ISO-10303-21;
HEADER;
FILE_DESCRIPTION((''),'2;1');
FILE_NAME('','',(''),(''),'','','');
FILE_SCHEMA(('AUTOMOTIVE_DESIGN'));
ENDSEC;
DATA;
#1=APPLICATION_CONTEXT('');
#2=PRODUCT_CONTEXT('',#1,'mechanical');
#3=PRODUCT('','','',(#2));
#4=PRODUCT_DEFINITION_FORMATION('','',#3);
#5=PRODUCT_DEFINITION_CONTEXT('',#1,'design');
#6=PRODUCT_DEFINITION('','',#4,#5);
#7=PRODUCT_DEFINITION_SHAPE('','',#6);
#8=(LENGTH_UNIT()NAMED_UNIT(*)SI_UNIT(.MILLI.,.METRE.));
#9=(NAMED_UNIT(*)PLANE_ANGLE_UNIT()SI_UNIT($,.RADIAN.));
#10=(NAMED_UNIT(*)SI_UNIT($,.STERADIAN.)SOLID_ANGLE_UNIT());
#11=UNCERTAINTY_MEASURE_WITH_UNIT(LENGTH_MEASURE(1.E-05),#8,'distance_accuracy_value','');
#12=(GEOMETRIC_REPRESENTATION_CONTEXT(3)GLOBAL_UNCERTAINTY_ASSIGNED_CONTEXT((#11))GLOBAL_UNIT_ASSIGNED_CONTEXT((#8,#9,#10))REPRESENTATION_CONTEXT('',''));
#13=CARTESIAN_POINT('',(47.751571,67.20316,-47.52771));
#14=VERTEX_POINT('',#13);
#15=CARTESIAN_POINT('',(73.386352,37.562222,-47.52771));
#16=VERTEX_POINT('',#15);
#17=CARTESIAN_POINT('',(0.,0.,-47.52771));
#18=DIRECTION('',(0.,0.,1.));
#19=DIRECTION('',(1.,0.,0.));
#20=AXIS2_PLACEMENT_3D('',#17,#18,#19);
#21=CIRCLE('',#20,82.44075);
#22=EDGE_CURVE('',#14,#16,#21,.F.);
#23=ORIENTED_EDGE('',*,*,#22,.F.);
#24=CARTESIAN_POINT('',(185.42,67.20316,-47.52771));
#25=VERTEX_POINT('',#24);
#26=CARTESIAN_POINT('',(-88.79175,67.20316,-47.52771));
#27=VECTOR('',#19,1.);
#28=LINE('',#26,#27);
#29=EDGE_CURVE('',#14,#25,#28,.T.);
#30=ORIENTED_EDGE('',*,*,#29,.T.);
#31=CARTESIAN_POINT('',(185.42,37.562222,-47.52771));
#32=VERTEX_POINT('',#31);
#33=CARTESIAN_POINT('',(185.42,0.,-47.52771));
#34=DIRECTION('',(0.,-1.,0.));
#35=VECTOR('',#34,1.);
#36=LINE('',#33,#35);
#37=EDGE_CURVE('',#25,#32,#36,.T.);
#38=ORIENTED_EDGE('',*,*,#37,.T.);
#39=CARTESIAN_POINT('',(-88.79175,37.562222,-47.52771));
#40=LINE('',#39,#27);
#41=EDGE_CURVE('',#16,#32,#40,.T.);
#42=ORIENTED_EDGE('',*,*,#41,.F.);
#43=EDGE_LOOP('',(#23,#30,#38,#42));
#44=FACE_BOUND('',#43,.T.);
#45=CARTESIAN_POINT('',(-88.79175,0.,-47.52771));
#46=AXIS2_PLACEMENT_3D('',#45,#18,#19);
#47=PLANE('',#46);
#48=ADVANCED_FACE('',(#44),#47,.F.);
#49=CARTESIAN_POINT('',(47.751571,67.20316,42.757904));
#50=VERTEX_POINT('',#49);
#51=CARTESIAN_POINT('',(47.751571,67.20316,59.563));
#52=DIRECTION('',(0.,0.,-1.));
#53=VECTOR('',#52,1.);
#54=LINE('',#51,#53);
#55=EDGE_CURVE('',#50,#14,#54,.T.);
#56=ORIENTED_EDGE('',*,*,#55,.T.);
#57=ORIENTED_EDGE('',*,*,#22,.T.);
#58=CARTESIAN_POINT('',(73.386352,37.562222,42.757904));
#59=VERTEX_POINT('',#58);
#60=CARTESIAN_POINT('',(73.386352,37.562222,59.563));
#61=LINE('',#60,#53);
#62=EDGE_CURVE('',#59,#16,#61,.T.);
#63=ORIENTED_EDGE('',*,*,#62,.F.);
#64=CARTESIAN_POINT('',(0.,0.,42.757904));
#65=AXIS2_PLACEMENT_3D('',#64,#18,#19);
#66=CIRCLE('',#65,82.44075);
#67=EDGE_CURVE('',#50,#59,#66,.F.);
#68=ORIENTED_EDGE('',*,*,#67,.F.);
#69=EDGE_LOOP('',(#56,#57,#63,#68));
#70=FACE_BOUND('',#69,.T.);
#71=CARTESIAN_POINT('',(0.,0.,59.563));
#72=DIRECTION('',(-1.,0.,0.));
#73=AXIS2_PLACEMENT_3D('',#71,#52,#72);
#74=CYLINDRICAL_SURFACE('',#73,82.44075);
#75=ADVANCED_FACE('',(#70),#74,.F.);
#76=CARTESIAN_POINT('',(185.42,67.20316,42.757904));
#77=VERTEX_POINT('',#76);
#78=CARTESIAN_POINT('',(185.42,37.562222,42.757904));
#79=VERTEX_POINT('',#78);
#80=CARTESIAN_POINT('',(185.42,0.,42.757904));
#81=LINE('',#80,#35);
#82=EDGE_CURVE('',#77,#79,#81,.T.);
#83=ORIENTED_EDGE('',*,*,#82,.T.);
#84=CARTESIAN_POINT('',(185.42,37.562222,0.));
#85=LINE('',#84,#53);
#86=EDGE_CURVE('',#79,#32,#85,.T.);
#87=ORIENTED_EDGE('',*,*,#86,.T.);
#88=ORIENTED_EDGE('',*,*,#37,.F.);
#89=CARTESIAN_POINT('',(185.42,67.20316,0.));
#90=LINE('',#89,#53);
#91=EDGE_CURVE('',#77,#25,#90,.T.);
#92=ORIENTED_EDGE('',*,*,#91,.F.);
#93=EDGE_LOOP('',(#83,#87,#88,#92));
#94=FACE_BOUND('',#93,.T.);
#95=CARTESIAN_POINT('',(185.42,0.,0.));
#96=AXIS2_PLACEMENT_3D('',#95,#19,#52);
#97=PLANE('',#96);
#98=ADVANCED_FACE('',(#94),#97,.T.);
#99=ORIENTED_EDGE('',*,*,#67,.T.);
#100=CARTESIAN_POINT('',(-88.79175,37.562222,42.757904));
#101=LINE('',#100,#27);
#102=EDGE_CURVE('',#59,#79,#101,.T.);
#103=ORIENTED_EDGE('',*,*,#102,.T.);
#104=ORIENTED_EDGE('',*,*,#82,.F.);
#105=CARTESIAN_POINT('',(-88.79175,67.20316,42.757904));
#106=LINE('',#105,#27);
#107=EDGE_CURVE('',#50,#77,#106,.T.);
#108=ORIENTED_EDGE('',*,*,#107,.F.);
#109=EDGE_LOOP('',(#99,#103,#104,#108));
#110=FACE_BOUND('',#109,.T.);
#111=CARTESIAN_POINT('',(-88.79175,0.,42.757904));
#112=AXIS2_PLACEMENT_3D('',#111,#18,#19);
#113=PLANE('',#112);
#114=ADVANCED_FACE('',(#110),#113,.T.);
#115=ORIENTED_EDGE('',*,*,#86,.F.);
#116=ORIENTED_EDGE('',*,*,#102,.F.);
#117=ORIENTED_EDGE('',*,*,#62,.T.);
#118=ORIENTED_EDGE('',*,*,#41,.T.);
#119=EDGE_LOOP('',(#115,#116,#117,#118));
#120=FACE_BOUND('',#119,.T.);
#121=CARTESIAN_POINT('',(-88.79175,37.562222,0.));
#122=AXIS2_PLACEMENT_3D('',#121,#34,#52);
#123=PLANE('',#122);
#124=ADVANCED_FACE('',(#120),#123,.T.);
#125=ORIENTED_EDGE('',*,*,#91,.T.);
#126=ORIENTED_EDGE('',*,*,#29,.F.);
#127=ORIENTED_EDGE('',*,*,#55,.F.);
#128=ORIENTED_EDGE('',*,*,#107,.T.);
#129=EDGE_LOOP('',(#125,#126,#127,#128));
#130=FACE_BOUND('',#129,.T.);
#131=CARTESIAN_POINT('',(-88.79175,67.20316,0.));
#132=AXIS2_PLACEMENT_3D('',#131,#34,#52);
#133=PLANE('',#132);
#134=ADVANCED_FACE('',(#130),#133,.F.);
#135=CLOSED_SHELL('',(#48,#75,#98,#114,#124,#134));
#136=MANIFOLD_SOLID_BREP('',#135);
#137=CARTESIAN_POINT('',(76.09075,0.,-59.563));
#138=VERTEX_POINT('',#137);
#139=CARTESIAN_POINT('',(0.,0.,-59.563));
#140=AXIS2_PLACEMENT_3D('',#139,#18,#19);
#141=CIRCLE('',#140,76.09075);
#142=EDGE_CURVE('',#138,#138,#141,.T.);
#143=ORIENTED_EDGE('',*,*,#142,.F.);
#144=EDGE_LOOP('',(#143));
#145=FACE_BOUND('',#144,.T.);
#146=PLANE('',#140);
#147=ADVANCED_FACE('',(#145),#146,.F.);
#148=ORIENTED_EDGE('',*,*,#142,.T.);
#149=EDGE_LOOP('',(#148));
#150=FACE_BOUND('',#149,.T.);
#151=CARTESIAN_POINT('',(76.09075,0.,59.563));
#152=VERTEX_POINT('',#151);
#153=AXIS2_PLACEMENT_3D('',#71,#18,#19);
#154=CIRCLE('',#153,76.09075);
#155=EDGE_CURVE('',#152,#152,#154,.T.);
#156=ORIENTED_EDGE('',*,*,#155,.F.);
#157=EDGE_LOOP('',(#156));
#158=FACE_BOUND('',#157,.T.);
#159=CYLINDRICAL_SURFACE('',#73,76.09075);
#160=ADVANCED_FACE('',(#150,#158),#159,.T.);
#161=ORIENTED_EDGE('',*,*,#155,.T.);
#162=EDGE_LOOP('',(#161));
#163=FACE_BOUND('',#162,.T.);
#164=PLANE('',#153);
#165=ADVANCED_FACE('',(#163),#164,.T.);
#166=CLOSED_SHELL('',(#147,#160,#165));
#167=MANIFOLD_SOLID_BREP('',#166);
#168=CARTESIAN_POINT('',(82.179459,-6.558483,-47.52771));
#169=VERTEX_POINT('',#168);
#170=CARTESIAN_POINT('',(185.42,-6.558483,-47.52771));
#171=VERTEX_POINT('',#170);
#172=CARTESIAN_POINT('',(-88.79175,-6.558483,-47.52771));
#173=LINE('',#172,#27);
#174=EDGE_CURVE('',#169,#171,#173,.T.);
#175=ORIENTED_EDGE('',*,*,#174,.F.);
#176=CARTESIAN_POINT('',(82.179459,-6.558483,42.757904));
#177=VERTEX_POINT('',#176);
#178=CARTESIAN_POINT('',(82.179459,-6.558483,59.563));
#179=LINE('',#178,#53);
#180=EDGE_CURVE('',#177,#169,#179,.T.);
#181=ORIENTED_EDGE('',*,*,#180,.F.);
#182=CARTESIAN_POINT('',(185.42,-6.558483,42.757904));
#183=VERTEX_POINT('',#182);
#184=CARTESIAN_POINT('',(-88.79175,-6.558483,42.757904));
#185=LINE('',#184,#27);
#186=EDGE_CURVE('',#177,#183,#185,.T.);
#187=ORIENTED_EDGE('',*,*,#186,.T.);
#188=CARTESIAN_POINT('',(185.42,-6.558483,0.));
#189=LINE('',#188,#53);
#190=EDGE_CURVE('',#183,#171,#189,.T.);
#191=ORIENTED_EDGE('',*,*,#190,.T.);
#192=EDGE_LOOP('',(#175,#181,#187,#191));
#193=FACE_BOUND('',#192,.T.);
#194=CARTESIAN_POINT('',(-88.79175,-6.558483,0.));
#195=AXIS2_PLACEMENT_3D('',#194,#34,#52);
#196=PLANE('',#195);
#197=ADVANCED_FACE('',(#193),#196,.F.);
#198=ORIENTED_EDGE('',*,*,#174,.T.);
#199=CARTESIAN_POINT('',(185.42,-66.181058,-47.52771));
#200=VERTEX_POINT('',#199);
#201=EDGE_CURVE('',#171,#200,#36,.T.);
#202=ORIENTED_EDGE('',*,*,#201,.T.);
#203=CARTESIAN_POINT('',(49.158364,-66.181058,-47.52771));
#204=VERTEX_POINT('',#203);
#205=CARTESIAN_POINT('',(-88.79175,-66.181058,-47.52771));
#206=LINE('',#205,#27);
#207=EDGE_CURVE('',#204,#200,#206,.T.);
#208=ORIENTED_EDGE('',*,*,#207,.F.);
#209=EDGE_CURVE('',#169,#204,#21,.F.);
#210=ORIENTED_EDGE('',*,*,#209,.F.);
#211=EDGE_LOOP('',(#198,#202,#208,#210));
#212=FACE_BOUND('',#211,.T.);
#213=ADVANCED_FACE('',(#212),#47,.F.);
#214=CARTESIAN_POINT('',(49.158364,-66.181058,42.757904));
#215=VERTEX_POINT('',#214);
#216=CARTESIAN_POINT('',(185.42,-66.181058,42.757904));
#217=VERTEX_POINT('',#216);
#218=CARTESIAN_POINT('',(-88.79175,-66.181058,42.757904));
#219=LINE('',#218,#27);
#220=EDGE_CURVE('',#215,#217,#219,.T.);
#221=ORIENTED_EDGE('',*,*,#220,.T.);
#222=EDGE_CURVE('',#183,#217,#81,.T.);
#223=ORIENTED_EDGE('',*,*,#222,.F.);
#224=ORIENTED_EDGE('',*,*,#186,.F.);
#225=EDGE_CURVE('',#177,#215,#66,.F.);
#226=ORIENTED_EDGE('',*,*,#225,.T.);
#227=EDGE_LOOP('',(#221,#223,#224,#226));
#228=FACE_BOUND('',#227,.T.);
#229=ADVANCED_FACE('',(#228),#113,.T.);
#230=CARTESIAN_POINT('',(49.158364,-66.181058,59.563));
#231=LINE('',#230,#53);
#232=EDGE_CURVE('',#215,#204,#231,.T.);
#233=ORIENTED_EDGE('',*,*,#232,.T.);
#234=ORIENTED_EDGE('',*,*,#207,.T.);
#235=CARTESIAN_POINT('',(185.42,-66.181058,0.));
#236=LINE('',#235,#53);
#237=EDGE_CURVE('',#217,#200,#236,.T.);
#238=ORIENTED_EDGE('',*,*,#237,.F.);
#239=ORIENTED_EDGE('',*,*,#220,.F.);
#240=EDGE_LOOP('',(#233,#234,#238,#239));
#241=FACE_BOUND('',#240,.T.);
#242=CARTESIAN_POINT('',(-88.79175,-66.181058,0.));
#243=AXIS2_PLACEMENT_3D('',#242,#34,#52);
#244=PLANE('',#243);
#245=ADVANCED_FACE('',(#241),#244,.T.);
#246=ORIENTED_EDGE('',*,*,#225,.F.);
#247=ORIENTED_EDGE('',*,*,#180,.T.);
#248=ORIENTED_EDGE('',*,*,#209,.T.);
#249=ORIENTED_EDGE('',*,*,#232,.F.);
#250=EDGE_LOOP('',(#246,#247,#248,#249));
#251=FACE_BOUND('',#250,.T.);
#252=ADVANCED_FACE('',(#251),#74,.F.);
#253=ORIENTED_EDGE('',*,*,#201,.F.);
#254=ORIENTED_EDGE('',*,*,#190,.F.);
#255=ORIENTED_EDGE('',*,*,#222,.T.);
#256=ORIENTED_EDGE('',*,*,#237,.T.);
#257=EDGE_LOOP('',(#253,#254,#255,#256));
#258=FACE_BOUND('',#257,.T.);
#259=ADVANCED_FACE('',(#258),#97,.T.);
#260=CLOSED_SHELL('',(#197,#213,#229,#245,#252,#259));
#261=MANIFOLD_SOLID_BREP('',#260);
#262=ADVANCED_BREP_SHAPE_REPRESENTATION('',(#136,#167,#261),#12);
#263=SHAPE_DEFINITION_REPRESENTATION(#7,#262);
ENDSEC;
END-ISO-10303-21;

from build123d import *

# Parameters (mm, degrees)
SKETCH1_R                = 76.09074969
BOSS_EXTRUDE1_DEPTH      = 59.563
BOSS_EXTRUDE2_REACH      = 280.793
BOSS_EXTRUDE2_END_RADIUS = 82.44074969
SKETCH2_W                = 90.285613873
SKETCH2_H                = 59.622575199
SKETCH2_H_2              = 29.640937385


with BuildPart() as part:
    # Sketch1 → Boss-Extrude1 (new, symmetric)
    with BuildSketch(Plane.XY):
        Circle(SKETCH1_R)
    extrude(amount=BOSS_EXTRUDE1_DEPTH, both=True)


with BuildPart() as body_2:
    # Boss-Extrude2: up to this cylinder (the profile starts outside it)
    boss_extrude2_end = Plane(origin=(0, 0, -2.384903), z_dir=(0, 0, -1)) * Cylinder(BOSS_EXTRUDE2_END_RADIUS, 727.467499381, mode=Mode.PRIVATE)
    # Sketch2 → Boss-Extrude2 (new, up to the surface)
    with BuildSketch(Plane(origin=(185.42, 0, 0), x_dir=(0, 0, -1), z_dir=(1, 0, 0)), mode=Mode.PRIVATE) as boss_extrude2_sk1:
        with Locations((2.384903008, -36.369770872)):
            Rectangle(SKETCH2_W, SKETCH2_H)
    boss_extrude2_tool1 = extrude(boss_extrude2_sk1.sketch, amount=-BOSS_EXTRUDE2_REACH, mode=Mode.PRIVATE) - boss_extrude2_end
    add(boss_extrude2_tool1.solids().sort_by_distance((185.42, -36.369771, -2.384903))[0])
    # Sketch2 → Boss-Extrude2 (new, up to the surface)
    with BuildSketch(Plane(origin=(185.42, 0, 0), x_dir=(0, 0, -1), z_dir=(1, 0, 0)), mode=Mode.PRIVATE) as boss_extrude2_sk2:
        with Locations((2.384903008, 52.382691068)):
            Rectangle(SKETCH2_W, SKETCH2_H_2)
    boss_extrude2_tool2 = extrude(boss_extrude2_sk2.sketch, amount=-BOSS_EXTRUDE2_REACH, mode=Mode.PRIVATE) - boss_extrude2_end
    add(boss_extrude2_tool2.solids().sort_by_distance((185.42, 52.382691, -2.384903))[0])


solid = Compound([part.part, body_2.part])
